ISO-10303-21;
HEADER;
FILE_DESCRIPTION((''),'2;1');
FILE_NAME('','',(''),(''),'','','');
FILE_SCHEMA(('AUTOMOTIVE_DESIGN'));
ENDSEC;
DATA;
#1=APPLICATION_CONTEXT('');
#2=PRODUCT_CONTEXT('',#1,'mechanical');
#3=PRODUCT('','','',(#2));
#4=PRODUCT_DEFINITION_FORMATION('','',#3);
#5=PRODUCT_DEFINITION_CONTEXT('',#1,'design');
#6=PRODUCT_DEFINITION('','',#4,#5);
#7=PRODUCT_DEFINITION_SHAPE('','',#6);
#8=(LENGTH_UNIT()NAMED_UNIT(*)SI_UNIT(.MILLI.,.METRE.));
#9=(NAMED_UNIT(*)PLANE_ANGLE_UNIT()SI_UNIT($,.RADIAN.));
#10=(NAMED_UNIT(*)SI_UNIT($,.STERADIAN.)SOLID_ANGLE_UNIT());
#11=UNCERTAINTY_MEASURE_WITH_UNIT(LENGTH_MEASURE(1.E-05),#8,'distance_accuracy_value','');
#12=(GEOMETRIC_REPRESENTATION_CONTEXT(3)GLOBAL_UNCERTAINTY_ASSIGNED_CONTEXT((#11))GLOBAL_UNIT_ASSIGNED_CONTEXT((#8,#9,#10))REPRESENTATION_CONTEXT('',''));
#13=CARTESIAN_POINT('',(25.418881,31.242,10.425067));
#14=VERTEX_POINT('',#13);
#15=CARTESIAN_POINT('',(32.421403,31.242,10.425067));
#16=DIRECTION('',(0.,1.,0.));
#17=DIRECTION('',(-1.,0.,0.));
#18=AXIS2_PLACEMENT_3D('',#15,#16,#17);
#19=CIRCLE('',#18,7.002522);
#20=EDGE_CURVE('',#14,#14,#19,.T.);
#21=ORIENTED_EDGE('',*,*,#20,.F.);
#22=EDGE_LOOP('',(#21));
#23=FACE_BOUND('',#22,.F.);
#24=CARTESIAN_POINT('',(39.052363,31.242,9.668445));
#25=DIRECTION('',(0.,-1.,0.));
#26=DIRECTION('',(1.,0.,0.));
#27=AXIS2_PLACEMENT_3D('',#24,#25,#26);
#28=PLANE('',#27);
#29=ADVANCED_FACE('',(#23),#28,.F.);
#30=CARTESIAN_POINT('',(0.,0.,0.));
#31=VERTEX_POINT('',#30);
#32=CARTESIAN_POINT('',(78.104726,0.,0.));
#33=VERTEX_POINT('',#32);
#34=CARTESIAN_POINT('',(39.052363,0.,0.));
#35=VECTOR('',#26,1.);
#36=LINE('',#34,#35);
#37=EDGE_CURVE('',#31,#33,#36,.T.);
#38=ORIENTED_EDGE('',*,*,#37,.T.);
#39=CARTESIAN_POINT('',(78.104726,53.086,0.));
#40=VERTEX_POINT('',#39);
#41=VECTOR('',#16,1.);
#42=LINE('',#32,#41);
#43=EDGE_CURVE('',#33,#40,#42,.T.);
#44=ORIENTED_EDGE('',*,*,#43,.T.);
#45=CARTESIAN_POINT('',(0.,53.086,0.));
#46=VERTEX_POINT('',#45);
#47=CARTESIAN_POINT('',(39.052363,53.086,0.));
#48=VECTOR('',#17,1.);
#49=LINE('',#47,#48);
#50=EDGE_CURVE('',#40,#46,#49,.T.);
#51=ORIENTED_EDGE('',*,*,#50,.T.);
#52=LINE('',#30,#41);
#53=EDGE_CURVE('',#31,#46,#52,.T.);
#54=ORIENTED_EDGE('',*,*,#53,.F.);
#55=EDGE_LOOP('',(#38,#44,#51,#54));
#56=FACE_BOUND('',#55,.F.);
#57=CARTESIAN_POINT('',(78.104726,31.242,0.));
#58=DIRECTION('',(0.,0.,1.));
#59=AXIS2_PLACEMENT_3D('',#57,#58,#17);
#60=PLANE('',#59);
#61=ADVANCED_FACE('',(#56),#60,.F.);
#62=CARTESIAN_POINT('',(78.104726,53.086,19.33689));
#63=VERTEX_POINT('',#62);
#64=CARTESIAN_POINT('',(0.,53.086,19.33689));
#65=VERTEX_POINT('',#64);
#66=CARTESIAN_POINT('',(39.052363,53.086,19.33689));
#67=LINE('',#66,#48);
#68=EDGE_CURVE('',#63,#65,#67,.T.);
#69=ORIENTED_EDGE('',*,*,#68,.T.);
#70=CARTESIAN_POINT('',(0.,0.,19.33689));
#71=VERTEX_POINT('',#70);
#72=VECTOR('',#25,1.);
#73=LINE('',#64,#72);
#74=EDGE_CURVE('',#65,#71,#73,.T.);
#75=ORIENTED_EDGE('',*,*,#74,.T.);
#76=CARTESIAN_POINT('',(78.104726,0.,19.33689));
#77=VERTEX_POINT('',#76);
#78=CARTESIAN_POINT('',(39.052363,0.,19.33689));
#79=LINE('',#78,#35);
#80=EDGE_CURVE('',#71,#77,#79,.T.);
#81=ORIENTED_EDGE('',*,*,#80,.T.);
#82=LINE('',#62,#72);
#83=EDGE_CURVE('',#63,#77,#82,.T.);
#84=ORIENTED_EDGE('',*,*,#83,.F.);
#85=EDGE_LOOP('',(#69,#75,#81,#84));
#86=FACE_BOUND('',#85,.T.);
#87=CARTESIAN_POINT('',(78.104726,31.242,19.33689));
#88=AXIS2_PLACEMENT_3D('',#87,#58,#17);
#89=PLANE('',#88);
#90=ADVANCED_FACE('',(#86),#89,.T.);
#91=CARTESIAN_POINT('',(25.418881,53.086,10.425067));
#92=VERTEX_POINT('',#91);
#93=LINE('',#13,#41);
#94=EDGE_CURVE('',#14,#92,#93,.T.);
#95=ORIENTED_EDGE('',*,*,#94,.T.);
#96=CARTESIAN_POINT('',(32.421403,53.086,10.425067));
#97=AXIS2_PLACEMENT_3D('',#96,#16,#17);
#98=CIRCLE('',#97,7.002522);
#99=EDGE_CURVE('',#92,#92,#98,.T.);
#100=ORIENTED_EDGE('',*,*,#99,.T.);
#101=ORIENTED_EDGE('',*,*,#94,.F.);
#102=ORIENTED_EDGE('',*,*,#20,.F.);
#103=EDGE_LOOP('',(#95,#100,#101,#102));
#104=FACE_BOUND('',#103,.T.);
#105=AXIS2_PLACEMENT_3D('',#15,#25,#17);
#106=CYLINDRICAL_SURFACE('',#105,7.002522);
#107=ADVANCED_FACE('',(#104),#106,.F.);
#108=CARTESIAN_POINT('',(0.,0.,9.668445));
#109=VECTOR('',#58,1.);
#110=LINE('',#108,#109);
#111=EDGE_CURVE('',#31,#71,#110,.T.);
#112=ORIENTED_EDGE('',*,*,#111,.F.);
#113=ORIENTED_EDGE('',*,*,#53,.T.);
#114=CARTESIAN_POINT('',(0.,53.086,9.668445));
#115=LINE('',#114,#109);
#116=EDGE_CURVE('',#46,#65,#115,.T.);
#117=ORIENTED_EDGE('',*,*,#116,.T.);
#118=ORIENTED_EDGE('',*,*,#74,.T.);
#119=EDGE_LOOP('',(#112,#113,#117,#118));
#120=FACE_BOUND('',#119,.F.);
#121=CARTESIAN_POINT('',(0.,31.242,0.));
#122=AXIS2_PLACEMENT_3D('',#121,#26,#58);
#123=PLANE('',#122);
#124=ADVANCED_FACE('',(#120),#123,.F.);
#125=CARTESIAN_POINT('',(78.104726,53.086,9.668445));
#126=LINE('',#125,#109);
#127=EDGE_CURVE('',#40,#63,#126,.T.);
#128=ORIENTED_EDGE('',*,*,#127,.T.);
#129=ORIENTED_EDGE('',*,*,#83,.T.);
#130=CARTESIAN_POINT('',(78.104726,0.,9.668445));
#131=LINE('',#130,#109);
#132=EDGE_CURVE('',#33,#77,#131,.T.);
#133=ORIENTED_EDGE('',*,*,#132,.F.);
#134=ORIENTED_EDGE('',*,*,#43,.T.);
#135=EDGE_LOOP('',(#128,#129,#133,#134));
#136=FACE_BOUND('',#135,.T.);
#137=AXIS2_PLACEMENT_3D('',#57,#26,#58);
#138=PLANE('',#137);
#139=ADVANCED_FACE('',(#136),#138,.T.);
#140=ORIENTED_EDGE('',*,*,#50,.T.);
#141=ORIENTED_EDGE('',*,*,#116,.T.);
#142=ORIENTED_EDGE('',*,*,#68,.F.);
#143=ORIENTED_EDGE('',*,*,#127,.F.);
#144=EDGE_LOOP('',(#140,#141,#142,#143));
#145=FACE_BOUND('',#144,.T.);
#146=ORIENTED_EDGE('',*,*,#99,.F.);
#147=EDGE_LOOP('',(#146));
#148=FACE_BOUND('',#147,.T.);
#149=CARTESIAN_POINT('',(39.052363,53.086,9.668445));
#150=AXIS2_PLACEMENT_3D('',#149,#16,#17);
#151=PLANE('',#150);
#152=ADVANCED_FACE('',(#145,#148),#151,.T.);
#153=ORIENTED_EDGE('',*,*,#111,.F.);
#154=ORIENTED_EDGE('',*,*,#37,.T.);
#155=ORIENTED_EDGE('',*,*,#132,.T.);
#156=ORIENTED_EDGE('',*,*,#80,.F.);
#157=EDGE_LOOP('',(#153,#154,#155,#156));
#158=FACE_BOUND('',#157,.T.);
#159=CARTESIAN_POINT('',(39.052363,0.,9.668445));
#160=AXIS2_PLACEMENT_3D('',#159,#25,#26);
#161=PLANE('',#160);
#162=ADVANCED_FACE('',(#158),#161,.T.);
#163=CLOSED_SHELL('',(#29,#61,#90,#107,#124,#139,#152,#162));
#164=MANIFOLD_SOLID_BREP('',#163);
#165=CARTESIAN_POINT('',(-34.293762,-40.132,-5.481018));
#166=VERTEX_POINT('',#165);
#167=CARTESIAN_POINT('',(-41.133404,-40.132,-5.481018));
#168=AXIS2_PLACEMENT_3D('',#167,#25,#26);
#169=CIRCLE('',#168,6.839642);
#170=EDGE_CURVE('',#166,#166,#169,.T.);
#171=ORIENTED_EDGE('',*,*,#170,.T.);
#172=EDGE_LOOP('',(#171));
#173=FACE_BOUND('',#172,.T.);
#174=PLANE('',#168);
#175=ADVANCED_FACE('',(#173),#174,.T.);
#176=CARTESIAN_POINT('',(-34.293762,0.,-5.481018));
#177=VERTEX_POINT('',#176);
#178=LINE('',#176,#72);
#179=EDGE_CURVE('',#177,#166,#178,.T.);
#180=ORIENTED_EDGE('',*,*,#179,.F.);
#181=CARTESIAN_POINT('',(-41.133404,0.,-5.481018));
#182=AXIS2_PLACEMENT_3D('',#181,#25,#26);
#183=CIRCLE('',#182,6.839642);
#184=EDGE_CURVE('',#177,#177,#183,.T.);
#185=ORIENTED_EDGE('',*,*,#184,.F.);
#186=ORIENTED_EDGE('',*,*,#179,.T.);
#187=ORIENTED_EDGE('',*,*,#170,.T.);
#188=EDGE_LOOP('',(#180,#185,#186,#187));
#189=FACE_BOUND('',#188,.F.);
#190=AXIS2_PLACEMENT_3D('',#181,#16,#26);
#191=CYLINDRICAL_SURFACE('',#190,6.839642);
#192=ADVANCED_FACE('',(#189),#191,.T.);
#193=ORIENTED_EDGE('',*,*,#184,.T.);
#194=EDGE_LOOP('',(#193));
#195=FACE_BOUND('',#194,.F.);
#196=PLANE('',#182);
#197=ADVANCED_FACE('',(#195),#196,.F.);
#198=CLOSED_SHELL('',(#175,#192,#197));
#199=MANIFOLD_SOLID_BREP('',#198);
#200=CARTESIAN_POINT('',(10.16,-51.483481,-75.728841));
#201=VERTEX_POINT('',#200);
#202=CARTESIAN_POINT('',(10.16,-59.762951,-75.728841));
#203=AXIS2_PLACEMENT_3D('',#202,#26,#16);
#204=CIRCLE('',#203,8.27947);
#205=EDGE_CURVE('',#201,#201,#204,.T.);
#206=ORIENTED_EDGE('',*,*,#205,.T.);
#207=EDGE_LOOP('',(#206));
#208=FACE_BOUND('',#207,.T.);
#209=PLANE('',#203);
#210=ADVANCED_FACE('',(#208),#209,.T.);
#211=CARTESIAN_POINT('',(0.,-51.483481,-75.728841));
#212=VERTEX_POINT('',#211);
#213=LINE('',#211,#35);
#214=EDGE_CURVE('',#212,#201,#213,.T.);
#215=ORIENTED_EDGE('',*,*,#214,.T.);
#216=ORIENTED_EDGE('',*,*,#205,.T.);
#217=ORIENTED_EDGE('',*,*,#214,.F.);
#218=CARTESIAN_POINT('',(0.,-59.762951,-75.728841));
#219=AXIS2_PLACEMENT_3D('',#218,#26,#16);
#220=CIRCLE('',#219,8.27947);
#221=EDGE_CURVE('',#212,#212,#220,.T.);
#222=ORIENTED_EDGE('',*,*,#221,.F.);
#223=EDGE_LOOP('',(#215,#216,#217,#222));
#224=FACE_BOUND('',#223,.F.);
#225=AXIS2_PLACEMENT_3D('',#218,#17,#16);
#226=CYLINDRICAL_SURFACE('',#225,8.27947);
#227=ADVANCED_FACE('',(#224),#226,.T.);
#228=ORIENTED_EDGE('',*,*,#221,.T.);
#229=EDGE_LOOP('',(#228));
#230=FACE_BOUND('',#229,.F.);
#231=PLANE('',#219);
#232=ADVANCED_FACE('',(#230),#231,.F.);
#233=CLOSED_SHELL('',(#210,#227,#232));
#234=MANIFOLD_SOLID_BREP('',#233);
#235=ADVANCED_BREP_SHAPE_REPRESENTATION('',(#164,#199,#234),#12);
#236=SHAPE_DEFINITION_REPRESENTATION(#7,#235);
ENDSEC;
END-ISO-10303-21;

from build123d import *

# Parameters (mm, degrees)
F0_W     = 78.104727
F0_H     = 19.33689
F1_DEPTH = 31.242
F2_R     = 6.839642
F3_DEPTH = 40.132
F4_W     = 78.104727
F4_H     = 19.33689
F4_R     = 7.002522
F5_DEPTH = 21.844
F6_R     = 8.27947
F7_DEPTH = 10.16


with BuildPart() as f1:
    # F0 (on Front) → F1 (new body)
    with BuildSketch(Plane.XZ):
        with Locations((39.052363, 9.668445)):
            Rectangle(F0_W, F0_H)
    extrude(amount=-F1_DEPTH)

    # F4 (on face) → F5 (join)
    with BuildSketch(Plane(origin=(0, 31.242, 0), x_dir=(-1, 0, 0), z_dir=(0, 1, 0))):
        with Locations((-39.052363, 9.668445)):
            Rectangle(F4_W, F4_H)
        with Locations((-32.421403, 10.425067)):
            Circle(F4_R, mode=Mode.SUBTRACT)
    extrude(amount=F5_DEPTH)


with BuildPart() as f3:
    # F2 (on Front) → F3 (new body)
    with BuildSketch(Plane.XZ):
        with Locations((-41.133404, -5.481018)):
            Circle(F2_R)
    extrude(amount=F3_DEPTH)


with BuildPart() as f7:
    # F6 (on Right) → F7 (new body)
    with BuildSketch(Plane.YZ):
        with Locations((-59.762951, -75.728841)):
            Circle(F6_R)
    extrude(amount=F7_DEPTH)


solid = Compound([f1.part, f3.part, f7.part])
